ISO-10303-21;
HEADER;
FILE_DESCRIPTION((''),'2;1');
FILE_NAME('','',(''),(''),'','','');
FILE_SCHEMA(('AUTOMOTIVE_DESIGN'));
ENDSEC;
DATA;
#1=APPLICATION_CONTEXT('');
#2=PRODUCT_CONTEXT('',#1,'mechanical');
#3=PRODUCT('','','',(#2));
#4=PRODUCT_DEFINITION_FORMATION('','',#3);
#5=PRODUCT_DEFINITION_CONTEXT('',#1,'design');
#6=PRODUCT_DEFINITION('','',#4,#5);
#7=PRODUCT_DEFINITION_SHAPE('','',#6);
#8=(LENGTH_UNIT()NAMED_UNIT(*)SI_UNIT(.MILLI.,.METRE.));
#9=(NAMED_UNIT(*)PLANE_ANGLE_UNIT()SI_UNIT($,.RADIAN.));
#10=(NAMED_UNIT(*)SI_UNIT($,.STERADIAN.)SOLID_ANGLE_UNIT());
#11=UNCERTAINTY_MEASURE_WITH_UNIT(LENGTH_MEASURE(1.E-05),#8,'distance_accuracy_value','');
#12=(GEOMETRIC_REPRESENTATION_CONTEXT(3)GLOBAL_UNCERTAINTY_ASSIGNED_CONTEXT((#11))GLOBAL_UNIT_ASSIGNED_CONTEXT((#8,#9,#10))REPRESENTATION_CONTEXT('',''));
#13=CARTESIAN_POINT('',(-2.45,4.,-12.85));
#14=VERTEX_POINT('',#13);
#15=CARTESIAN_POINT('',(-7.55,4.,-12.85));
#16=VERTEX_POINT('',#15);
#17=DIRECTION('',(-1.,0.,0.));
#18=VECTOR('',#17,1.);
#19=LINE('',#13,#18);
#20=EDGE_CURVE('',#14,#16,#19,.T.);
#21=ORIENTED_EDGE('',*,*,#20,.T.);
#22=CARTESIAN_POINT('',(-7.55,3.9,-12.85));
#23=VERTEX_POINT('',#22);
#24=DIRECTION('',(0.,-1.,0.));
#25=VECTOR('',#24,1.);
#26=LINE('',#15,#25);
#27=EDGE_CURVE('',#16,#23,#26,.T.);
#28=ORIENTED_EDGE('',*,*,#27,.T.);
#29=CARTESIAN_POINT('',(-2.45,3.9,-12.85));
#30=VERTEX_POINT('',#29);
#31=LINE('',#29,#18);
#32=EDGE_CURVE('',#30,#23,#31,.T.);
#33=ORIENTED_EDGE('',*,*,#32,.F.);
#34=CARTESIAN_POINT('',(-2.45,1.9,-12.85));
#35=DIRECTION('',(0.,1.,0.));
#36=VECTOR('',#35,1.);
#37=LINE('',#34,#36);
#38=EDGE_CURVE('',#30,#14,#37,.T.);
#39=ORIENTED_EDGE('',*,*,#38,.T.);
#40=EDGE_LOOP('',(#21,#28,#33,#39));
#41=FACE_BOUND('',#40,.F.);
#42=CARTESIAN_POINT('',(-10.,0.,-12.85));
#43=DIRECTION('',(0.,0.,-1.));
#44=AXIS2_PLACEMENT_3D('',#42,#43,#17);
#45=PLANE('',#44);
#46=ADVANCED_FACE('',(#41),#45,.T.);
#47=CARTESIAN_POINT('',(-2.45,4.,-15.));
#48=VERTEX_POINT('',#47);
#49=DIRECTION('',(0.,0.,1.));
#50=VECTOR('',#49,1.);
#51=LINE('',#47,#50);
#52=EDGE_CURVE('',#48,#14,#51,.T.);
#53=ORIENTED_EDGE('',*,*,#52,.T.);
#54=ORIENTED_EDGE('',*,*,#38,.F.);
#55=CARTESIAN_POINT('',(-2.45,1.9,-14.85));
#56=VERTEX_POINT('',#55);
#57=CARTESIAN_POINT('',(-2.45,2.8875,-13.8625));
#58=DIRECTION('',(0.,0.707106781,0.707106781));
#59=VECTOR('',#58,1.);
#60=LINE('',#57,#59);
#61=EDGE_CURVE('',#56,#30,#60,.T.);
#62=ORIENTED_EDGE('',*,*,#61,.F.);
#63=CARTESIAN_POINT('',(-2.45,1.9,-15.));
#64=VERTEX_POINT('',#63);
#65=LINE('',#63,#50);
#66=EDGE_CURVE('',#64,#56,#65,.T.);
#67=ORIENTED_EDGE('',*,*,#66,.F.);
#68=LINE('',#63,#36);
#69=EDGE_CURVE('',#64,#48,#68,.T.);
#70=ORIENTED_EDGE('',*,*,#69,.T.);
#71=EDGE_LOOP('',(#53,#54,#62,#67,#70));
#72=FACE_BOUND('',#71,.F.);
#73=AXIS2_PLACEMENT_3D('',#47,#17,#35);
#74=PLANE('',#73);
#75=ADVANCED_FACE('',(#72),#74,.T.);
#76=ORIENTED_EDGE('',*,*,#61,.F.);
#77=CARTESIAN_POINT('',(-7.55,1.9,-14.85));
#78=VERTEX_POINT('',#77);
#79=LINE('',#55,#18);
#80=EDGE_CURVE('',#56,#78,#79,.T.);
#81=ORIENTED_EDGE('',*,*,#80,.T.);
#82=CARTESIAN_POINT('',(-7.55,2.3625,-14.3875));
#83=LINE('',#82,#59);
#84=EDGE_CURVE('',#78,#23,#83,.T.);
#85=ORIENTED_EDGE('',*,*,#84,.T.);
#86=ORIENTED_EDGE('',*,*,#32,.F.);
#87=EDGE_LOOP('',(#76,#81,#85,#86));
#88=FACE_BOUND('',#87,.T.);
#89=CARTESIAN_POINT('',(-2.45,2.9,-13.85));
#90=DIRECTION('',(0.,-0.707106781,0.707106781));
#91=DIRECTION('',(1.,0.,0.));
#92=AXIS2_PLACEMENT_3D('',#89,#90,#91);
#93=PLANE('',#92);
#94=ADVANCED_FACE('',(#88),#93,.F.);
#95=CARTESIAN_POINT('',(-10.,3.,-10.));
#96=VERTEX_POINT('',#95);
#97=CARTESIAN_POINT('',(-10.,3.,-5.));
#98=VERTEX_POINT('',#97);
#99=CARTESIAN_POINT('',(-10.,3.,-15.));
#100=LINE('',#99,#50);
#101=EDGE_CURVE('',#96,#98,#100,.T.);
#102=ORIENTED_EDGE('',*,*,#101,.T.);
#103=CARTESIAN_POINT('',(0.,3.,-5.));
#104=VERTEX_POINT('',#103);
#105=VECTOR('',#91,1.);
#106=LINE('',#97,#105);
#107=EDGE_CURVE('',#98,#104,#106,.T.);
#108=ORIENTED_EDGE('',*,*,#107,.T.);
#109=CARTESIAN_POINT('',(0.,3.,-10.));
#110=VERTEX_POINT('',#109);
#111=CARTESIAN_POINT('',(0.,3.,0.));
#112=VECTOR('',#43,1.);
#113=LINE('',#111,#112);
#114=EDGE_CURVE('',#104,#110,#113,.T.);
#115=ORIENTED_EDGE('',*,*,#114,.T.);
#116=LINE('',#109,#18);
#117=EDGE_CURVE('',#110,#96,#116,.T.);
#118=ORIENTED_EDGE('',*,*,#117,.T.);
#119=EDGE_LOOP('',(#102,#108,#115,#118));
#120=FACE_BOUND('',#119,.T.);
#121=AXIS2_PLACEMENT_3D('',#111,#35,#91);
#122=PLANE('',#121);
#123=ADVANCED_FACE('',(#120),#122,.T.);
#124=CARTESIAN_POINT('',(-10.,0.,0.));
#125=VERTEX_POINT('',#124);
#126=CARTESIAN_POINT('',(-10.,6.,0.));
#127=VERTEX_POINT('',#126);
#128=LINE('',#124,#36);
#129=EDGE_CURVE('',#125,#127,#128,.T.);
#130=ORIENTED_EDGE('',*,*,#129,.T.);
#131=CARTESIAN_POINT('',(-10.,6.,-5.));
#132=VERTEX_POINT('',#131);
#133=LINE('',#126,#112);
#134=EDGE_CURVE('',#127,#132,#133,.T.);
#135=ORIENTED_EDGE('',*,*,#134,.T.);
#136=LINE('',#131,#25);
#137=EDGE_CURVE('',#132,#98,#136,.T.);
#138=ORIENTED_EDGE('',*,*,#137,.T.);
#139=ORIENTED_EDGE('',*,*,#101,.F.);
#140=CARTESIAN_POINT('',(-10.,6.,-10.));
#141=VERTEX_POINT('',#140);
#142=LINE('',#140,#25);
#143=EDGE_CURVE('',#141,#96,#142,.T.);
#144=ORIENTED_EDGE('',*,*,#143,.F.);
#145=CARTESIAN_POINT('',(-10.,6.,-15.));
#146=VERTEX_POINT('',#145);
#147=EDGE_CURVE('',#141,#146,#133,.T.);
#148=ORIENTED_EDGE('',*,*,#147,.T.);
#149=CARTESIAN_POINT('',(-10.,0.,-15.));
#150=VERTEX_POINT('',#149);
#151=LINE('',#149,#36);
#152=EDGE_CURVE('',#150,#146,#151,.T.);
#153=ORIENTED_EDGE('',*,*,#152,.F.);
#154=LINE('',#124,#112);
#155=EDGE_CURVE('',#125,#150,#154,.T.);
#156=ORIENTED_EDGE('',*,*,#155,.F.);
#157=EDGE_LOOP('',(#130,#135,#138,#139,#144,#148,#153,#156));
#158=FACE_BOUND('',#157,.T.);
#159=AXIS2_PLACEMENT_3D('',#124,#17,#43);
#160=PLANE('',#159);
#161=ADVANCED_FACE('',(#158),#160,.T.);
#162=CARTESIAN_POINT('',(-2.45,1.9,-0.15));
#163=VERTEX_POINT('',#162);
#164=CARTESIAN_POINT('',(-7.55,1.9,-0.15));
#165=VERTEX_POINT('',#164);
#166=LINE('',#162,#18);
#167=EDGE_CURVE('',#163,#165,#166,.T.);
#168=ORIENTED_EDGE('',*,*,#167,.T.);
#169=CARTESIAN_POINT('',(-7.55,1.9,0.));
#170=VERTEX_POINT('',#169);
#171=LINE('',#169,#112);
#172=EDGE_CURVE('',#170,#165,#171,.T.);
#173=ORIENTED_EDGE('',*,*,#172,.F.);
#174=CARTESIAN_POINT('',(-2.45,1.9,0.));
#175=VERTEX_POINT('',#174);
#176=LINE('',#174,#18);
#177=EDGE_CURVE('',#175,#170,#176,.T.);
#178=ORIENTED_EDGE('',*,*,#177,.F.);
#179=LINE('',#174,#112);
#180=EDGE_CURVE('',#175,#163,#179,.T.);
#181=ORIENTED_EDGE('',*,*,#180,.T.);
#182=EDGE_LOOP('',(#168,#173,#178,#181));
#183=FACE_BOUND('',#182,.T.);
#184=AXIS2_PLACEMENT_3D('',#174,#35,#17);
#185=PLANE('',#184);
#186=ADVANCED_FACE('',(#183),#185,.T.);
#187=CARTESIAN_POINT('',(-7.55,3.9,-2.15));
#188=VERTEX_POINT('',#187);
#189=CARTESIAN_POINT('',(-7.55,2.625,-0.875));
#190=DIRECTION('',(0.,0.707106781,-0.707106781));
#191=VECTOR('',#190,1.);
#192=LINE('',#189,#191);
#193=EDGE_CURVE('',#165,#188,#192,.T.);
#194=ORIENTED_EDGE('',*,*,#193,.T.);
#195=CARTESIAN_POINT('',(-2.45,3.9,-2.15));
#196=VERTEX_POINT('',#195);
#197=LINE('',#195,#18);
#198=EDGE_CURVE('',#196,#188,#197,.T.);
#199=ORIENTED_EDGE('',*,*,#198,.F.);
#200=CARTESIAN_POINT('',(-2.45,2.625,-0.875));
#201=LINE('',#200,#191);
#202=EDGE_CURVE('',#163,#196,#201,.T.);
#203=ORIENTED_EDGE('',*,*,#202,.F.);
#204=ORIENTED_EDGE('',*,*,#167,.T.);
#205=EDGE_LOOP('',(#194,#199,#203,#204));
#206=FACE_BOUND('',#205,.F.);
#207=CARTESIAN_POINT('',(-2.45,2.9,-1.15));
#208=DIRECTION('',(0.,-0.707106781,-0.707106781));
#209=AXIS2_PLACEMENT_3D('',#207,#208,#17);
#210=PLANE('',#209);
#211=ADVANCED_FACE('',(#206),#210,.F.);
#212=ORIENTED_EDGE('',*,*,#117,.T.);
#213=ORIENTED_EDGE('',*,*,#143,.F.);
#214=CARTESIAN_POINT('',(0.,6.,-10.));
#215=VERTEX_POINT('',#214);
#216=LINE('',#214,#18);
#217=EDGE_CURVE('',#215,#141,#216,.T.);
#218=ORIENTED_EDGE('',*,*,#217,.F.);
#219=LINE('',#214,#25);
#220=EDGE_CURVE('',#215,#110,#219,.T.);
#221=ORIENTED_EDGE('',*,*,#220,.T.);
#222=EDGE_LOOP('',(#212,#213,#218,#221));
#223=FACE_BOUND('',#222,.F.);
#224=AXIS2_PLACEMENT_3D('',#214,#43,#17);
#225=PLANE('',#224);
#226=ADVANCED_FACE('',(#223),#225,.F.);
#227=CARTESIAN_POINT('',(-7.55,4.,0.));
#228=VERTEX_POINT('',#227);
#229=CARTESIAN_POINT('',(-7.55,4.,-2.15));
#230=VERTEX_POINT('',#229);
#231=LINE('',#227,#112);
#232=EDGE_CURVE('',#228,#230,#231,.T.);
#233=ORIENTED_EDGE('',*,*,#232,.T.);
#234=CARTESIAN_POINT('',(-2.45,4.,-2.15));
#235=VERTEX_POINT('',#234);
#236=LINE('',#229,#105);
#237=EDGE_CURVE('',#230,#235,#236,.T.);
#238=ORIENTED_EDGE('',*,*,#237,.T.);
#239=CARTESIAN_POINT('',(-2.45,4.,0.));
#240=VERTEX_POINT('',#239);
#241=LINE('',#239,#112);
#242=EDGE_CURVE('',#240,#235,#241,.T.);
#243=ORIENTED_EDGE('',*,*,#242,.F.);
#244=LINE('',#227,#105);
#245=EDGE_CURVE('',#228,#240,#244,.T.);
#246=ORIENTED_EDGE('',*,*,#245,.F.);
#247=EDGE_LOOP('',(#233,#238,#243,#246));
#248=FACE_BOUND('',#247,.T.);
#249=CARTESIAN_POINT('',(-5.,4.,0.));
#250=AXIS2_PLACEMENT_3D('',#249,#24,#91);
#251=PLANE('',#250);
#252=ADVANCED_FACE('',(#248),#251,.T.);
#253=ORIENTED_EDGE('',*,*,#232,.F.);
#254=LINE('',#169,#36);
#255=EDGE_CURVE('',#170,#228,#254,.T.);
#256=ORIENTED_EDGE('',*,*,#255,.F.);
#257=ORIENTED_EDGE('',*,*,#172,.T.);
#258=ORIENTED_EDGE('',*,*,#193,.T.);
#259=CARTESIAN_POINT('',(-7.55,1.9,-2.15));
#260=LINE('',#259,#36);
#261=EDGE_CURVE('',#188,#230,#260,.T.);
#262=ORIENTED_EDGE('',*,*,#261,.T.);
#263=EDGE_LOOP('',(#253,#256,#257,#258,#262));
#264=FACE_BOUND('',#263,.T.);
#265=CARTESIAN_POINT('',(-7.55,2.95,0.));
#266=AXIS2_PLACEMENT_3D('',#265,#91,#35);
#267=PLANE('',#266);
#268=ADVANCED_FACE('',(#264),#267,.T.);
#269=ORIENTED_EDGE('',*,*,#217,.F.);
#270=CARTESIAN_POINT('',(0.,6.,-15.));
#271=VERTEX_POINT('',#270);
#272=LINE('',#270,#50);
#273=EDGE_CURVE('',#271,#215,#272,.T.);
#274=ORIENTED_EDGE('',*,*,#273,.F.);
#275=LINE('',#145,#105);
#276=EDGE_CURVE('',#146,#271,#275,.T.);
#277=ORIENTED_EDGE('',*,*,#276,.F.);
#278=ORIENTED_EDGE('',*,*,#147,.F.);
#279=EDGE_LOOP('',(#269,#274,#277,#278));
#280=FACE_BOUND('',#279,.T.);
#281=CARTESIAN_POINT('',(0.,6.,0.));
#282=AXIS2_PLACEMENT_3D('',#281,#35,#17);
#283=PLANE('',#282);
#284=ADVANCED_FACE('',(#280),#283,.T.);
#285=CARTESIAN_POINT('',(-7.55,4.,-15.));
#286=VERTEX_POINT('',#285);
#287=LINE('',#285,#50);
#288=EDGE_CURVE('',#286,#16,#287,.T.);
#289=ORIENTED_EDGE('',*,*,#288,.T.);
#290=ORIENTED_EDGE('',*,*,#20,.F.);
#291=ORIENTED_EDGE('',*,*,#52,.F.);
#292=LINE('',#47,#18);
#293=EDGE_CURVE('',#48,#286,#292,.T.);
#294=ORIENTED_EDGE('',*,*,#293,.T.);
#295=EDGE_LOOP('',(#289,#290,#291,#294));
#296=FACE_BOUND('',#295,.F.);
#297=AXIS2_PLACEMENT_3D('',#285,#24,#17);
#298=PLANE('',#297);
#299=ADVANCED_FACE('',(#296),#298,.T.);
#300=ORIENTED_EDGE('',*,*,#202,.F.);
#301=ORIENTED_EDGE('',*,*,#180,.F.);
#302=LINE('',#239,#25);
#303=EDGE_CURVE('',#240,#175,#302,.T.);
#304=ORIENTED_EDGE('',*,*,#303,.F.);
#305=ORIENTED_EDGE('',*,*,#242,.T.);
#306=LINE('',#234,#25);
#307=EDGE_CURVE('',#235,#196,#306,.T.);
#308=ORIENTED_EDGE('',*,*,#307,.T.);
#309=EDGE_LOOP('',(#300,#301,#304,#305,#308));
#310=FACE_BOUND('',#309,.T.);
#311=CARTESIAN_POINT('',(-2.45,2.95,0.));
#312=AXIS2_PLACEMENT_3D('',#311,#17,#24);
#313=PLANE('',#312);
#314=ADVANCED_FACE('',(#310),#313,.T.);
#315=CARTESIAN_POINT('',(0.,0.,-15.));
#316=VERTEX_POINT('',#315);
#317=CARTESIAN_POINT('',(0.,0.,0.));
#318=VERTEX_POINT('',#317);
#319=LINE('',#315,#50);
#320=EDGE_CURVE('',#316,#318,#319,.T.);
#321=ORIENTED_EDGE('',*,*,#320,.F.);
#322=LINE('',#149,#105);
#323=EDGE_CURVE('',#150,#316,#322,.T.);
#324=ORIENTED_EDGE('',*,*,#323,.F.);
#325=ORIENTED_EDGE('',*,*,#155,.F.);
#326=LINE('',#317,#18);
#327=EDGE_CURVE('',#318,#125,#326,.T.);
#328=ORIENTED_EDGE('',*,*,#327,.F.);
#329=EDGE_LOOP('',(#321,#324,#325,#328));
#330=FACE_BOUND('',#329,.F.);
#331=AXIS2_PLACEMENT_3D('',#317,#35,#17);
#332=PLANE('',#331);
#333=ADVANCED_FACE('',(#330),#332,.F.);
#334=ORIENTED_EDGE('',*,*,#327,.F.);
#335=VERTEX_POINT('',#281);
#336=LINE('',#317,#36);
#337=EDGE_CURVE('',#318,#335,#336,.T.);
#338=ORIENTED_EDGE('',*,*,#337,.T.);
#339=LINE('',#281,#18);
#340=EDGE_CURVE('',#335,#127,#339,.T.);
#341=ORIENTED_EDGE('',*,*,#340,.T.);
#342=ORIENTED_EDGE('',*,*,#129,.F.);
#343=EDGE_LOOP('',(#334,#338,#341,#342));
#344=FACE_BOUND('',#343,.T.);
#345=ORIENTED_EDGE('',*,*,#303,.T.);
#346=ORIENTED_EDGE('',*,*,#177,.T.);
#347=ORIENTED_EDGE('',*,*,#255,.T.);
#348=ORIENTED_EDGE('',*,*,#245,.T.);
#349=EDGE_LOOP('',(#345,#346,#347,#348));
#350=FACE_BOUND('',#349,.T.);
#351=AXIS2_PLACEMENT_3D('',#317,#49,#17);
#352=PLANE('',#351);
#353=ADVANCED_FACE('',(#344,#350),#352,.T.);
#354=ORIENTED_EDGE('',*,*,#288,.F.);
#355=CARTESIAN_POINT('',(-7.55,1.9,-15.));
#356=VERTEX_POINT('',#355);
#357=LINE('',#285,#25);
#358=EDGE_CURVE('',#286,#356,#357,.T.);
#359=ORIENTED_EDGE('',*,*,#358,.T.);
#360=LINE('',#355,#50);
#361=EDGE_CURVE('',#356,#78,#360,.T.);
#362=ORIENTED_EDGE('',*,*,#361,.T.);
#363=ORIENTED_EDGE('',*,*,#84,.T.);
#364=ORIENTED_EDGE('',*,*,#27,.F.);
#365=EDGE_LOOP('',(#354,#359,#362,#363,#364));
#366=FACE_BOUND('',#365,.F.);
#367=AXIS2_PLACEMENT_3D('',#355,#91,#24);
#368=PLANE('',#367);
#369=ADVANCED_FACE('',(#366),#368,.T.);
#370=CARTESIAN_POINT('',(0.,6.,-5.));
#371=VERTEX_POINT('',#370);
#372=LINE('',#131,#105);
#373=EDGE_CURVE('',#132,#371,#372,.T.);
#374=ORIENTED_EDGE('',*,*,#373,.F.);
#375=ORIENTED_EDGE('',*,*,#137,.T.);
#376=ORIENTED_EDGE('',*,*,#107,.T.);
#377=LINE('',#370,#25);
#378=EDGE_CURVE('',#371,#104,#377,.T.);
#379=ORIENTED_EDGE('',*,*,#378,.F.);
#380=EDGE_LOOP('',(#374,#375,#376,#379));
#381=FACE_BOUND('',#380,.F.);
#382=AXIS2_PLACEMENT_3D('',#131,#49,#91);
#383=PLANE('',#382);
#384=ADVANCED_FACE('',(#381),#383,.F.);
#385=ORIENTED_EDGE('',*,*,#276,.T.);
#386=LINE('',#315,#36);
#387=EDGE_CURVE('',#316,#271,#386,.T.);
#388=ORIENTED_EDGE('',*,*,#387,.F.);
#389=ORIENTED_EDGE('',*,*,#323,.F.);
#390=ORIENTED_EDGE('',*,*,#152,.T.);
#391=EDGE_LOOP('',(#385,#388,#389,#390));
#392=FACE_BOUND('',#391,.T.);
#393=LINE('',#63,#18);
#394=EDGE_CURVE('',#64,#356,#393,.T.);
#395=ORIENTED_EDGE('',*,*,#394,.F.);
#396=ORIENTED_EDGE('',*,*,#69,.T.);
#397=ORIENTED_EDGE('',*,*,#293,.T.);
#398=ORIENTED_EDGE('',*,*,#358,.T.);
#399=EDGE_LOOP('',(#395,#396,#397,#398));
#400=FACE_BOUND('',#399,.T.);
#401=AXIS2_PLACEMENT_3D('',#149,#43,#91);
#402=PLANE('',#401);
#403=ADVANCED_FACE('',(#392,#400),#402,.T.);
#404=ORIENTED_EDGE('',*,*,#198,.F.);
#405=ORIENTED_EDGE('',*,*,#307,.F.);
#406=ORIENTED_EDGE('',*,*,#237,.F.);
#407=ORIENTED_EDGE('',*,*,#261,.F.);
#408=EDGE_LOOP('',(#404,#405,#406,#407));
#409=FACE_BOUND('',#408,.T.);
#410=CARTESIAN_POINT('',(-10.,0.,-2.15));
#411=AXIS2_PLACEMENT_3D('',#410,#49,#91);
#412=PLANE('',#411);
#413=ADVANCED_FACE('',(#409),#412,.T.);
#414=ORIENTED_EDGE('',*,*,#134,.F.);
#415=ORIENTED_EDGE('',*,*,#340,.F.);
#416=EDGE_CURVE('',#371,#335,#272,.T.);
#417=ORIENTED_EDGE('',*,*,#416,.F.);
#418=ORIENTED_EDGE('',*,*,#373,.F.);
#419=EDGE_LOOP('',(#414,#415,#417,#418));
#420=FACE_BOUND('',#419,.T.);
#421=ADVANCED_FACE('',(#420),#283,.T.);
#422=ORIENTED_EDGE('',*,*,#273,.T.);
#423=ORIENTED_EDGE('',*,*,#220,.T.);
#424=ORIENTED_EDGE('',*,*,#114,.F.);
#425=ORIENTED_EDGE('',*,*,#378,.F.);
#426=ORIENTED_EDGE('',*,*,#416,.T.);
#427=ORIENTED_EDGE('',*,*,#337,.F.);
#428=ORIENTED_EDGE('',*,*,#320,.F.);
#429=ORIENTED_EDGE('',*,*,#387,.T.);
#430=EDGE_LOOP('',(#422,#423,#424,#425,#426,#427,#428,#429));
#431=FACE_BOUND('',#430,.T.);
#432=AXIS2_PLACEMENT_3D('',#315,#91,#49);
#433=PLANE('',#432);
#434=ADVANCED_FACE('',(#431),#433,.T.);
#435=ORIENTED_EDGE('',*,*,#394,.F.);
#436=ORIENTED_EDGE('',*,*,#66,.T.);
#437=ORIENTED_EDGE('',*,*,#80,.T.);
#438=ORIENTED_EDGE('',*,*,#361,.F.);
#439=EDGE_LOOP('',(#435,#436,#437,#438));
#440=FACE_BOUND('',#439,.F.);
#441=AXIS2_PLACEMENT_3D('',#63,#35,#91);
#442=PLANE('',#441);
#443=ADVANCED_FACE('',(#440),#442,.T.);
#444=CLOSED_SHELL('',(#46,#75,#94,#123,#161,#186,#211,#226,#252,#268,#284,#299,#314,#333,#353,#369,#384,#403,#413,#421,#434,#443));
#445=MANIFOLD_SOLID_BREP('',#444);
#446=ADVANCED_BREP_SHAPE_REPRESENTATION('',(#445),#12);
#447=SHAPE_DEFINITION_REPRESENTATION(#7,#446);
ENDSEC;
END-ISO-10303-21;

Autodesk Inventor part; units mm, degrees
ref_plane "YZ Plane" through (0, 0, 0) normal (1, 0, 0) x (0, 1, 0)
ref_plane "XZ Plane" through (0, 0, 0) normal (0, 1, 0) x (-1, 0, 0)
sketch "Эскиз1" plane through (0, 0, 0) normal (0, 1, 0) x (-1, 0, 0)
  line L0 (0, 0) -> (10, 0)
  line L1 (10, 0) -> (10, -15)
  line L2 (10, -15) -> (0, -15)
  line L3 (0, -15) -> (0, 0)
  dimension "d0" = 10
  dimension "d1" = 15
extrude "Выдавливание1" add sketch "Эскиз1" along normal blind 6
sketch "Эскиз2" plane through (0, 6, 0) normal (0, 1, 0) x (1, 0, 0)
  line L0 (-10, 15) -> (-10, 0) projected
  line L1 (-10, 0) -> (-10, 5)
  line L2 (0, 0) -> (0, 15) projected
  line L3 (-10, 5) -> (0, 5)
  line L4 (0, 5) -> (0, 10)
  line L5 (0, 10) -> (-10, 10)
  line L6 (-10, 10) -> (-10, 5)
  line L7 (-10, 10) -> (-10, 15)
  line L8 (-10, 0) -> (0, 0) projected
  point P0 (0, 5)
  dimension "d4" = 5
extrude "Выдавливание2" cut sketch "Эскиз2" against normal blind 3 contours L5 L2 L3 L0
sketch "Эскиз3" plane through (-10, 0, 0) normal (0, 0, 1) x (1, 0, 0)
  line L0 (2.45, 4) -> (7.55, 4)
  line L1 (7.55, 4) -> (7.55, 1.9)
  line L2 (7.55, 1.9) -> (2.45, 1.9)
  line L3 (2.45, 1.9) -> (2.45, 4)
  line L4 (2.45, 2.95) -> (0, 2.95)
  line L5 (0, 0) -> (0, 6) projected
  line L6 (7.55, 2.95) -> (10, 2.95)
  line L7 (10, 0) -> (10, 6) projected
  line L8 (5, 4) -> (5, 6)
  line L9 (10, 6) -> (0, 6) projected
  dimension "d7" = 5.1
  dimension "d8" = 2.1
  dimension "d12" = 2
extrude "Выдавливание3" cut sketch "Эскиз3" against normal blind 2.15 contours L0 L1 L2 L3
ref_plane "РабПлоскость1" through (-10, 6, -7.5) normal (0, 0, 1) x (1, 0, 0)
mirror "Зеркальное отражение1" about plane through (-10, 6, -7.5) normal (0, 0, 1) of "Выдавливание3"
chamfer "Фаска1" distance 2 angle 45 2 edges at (-5, 1.9, -2.15) (-5, 1.9, -12.85)
properties part number "Тестовая коробка"
